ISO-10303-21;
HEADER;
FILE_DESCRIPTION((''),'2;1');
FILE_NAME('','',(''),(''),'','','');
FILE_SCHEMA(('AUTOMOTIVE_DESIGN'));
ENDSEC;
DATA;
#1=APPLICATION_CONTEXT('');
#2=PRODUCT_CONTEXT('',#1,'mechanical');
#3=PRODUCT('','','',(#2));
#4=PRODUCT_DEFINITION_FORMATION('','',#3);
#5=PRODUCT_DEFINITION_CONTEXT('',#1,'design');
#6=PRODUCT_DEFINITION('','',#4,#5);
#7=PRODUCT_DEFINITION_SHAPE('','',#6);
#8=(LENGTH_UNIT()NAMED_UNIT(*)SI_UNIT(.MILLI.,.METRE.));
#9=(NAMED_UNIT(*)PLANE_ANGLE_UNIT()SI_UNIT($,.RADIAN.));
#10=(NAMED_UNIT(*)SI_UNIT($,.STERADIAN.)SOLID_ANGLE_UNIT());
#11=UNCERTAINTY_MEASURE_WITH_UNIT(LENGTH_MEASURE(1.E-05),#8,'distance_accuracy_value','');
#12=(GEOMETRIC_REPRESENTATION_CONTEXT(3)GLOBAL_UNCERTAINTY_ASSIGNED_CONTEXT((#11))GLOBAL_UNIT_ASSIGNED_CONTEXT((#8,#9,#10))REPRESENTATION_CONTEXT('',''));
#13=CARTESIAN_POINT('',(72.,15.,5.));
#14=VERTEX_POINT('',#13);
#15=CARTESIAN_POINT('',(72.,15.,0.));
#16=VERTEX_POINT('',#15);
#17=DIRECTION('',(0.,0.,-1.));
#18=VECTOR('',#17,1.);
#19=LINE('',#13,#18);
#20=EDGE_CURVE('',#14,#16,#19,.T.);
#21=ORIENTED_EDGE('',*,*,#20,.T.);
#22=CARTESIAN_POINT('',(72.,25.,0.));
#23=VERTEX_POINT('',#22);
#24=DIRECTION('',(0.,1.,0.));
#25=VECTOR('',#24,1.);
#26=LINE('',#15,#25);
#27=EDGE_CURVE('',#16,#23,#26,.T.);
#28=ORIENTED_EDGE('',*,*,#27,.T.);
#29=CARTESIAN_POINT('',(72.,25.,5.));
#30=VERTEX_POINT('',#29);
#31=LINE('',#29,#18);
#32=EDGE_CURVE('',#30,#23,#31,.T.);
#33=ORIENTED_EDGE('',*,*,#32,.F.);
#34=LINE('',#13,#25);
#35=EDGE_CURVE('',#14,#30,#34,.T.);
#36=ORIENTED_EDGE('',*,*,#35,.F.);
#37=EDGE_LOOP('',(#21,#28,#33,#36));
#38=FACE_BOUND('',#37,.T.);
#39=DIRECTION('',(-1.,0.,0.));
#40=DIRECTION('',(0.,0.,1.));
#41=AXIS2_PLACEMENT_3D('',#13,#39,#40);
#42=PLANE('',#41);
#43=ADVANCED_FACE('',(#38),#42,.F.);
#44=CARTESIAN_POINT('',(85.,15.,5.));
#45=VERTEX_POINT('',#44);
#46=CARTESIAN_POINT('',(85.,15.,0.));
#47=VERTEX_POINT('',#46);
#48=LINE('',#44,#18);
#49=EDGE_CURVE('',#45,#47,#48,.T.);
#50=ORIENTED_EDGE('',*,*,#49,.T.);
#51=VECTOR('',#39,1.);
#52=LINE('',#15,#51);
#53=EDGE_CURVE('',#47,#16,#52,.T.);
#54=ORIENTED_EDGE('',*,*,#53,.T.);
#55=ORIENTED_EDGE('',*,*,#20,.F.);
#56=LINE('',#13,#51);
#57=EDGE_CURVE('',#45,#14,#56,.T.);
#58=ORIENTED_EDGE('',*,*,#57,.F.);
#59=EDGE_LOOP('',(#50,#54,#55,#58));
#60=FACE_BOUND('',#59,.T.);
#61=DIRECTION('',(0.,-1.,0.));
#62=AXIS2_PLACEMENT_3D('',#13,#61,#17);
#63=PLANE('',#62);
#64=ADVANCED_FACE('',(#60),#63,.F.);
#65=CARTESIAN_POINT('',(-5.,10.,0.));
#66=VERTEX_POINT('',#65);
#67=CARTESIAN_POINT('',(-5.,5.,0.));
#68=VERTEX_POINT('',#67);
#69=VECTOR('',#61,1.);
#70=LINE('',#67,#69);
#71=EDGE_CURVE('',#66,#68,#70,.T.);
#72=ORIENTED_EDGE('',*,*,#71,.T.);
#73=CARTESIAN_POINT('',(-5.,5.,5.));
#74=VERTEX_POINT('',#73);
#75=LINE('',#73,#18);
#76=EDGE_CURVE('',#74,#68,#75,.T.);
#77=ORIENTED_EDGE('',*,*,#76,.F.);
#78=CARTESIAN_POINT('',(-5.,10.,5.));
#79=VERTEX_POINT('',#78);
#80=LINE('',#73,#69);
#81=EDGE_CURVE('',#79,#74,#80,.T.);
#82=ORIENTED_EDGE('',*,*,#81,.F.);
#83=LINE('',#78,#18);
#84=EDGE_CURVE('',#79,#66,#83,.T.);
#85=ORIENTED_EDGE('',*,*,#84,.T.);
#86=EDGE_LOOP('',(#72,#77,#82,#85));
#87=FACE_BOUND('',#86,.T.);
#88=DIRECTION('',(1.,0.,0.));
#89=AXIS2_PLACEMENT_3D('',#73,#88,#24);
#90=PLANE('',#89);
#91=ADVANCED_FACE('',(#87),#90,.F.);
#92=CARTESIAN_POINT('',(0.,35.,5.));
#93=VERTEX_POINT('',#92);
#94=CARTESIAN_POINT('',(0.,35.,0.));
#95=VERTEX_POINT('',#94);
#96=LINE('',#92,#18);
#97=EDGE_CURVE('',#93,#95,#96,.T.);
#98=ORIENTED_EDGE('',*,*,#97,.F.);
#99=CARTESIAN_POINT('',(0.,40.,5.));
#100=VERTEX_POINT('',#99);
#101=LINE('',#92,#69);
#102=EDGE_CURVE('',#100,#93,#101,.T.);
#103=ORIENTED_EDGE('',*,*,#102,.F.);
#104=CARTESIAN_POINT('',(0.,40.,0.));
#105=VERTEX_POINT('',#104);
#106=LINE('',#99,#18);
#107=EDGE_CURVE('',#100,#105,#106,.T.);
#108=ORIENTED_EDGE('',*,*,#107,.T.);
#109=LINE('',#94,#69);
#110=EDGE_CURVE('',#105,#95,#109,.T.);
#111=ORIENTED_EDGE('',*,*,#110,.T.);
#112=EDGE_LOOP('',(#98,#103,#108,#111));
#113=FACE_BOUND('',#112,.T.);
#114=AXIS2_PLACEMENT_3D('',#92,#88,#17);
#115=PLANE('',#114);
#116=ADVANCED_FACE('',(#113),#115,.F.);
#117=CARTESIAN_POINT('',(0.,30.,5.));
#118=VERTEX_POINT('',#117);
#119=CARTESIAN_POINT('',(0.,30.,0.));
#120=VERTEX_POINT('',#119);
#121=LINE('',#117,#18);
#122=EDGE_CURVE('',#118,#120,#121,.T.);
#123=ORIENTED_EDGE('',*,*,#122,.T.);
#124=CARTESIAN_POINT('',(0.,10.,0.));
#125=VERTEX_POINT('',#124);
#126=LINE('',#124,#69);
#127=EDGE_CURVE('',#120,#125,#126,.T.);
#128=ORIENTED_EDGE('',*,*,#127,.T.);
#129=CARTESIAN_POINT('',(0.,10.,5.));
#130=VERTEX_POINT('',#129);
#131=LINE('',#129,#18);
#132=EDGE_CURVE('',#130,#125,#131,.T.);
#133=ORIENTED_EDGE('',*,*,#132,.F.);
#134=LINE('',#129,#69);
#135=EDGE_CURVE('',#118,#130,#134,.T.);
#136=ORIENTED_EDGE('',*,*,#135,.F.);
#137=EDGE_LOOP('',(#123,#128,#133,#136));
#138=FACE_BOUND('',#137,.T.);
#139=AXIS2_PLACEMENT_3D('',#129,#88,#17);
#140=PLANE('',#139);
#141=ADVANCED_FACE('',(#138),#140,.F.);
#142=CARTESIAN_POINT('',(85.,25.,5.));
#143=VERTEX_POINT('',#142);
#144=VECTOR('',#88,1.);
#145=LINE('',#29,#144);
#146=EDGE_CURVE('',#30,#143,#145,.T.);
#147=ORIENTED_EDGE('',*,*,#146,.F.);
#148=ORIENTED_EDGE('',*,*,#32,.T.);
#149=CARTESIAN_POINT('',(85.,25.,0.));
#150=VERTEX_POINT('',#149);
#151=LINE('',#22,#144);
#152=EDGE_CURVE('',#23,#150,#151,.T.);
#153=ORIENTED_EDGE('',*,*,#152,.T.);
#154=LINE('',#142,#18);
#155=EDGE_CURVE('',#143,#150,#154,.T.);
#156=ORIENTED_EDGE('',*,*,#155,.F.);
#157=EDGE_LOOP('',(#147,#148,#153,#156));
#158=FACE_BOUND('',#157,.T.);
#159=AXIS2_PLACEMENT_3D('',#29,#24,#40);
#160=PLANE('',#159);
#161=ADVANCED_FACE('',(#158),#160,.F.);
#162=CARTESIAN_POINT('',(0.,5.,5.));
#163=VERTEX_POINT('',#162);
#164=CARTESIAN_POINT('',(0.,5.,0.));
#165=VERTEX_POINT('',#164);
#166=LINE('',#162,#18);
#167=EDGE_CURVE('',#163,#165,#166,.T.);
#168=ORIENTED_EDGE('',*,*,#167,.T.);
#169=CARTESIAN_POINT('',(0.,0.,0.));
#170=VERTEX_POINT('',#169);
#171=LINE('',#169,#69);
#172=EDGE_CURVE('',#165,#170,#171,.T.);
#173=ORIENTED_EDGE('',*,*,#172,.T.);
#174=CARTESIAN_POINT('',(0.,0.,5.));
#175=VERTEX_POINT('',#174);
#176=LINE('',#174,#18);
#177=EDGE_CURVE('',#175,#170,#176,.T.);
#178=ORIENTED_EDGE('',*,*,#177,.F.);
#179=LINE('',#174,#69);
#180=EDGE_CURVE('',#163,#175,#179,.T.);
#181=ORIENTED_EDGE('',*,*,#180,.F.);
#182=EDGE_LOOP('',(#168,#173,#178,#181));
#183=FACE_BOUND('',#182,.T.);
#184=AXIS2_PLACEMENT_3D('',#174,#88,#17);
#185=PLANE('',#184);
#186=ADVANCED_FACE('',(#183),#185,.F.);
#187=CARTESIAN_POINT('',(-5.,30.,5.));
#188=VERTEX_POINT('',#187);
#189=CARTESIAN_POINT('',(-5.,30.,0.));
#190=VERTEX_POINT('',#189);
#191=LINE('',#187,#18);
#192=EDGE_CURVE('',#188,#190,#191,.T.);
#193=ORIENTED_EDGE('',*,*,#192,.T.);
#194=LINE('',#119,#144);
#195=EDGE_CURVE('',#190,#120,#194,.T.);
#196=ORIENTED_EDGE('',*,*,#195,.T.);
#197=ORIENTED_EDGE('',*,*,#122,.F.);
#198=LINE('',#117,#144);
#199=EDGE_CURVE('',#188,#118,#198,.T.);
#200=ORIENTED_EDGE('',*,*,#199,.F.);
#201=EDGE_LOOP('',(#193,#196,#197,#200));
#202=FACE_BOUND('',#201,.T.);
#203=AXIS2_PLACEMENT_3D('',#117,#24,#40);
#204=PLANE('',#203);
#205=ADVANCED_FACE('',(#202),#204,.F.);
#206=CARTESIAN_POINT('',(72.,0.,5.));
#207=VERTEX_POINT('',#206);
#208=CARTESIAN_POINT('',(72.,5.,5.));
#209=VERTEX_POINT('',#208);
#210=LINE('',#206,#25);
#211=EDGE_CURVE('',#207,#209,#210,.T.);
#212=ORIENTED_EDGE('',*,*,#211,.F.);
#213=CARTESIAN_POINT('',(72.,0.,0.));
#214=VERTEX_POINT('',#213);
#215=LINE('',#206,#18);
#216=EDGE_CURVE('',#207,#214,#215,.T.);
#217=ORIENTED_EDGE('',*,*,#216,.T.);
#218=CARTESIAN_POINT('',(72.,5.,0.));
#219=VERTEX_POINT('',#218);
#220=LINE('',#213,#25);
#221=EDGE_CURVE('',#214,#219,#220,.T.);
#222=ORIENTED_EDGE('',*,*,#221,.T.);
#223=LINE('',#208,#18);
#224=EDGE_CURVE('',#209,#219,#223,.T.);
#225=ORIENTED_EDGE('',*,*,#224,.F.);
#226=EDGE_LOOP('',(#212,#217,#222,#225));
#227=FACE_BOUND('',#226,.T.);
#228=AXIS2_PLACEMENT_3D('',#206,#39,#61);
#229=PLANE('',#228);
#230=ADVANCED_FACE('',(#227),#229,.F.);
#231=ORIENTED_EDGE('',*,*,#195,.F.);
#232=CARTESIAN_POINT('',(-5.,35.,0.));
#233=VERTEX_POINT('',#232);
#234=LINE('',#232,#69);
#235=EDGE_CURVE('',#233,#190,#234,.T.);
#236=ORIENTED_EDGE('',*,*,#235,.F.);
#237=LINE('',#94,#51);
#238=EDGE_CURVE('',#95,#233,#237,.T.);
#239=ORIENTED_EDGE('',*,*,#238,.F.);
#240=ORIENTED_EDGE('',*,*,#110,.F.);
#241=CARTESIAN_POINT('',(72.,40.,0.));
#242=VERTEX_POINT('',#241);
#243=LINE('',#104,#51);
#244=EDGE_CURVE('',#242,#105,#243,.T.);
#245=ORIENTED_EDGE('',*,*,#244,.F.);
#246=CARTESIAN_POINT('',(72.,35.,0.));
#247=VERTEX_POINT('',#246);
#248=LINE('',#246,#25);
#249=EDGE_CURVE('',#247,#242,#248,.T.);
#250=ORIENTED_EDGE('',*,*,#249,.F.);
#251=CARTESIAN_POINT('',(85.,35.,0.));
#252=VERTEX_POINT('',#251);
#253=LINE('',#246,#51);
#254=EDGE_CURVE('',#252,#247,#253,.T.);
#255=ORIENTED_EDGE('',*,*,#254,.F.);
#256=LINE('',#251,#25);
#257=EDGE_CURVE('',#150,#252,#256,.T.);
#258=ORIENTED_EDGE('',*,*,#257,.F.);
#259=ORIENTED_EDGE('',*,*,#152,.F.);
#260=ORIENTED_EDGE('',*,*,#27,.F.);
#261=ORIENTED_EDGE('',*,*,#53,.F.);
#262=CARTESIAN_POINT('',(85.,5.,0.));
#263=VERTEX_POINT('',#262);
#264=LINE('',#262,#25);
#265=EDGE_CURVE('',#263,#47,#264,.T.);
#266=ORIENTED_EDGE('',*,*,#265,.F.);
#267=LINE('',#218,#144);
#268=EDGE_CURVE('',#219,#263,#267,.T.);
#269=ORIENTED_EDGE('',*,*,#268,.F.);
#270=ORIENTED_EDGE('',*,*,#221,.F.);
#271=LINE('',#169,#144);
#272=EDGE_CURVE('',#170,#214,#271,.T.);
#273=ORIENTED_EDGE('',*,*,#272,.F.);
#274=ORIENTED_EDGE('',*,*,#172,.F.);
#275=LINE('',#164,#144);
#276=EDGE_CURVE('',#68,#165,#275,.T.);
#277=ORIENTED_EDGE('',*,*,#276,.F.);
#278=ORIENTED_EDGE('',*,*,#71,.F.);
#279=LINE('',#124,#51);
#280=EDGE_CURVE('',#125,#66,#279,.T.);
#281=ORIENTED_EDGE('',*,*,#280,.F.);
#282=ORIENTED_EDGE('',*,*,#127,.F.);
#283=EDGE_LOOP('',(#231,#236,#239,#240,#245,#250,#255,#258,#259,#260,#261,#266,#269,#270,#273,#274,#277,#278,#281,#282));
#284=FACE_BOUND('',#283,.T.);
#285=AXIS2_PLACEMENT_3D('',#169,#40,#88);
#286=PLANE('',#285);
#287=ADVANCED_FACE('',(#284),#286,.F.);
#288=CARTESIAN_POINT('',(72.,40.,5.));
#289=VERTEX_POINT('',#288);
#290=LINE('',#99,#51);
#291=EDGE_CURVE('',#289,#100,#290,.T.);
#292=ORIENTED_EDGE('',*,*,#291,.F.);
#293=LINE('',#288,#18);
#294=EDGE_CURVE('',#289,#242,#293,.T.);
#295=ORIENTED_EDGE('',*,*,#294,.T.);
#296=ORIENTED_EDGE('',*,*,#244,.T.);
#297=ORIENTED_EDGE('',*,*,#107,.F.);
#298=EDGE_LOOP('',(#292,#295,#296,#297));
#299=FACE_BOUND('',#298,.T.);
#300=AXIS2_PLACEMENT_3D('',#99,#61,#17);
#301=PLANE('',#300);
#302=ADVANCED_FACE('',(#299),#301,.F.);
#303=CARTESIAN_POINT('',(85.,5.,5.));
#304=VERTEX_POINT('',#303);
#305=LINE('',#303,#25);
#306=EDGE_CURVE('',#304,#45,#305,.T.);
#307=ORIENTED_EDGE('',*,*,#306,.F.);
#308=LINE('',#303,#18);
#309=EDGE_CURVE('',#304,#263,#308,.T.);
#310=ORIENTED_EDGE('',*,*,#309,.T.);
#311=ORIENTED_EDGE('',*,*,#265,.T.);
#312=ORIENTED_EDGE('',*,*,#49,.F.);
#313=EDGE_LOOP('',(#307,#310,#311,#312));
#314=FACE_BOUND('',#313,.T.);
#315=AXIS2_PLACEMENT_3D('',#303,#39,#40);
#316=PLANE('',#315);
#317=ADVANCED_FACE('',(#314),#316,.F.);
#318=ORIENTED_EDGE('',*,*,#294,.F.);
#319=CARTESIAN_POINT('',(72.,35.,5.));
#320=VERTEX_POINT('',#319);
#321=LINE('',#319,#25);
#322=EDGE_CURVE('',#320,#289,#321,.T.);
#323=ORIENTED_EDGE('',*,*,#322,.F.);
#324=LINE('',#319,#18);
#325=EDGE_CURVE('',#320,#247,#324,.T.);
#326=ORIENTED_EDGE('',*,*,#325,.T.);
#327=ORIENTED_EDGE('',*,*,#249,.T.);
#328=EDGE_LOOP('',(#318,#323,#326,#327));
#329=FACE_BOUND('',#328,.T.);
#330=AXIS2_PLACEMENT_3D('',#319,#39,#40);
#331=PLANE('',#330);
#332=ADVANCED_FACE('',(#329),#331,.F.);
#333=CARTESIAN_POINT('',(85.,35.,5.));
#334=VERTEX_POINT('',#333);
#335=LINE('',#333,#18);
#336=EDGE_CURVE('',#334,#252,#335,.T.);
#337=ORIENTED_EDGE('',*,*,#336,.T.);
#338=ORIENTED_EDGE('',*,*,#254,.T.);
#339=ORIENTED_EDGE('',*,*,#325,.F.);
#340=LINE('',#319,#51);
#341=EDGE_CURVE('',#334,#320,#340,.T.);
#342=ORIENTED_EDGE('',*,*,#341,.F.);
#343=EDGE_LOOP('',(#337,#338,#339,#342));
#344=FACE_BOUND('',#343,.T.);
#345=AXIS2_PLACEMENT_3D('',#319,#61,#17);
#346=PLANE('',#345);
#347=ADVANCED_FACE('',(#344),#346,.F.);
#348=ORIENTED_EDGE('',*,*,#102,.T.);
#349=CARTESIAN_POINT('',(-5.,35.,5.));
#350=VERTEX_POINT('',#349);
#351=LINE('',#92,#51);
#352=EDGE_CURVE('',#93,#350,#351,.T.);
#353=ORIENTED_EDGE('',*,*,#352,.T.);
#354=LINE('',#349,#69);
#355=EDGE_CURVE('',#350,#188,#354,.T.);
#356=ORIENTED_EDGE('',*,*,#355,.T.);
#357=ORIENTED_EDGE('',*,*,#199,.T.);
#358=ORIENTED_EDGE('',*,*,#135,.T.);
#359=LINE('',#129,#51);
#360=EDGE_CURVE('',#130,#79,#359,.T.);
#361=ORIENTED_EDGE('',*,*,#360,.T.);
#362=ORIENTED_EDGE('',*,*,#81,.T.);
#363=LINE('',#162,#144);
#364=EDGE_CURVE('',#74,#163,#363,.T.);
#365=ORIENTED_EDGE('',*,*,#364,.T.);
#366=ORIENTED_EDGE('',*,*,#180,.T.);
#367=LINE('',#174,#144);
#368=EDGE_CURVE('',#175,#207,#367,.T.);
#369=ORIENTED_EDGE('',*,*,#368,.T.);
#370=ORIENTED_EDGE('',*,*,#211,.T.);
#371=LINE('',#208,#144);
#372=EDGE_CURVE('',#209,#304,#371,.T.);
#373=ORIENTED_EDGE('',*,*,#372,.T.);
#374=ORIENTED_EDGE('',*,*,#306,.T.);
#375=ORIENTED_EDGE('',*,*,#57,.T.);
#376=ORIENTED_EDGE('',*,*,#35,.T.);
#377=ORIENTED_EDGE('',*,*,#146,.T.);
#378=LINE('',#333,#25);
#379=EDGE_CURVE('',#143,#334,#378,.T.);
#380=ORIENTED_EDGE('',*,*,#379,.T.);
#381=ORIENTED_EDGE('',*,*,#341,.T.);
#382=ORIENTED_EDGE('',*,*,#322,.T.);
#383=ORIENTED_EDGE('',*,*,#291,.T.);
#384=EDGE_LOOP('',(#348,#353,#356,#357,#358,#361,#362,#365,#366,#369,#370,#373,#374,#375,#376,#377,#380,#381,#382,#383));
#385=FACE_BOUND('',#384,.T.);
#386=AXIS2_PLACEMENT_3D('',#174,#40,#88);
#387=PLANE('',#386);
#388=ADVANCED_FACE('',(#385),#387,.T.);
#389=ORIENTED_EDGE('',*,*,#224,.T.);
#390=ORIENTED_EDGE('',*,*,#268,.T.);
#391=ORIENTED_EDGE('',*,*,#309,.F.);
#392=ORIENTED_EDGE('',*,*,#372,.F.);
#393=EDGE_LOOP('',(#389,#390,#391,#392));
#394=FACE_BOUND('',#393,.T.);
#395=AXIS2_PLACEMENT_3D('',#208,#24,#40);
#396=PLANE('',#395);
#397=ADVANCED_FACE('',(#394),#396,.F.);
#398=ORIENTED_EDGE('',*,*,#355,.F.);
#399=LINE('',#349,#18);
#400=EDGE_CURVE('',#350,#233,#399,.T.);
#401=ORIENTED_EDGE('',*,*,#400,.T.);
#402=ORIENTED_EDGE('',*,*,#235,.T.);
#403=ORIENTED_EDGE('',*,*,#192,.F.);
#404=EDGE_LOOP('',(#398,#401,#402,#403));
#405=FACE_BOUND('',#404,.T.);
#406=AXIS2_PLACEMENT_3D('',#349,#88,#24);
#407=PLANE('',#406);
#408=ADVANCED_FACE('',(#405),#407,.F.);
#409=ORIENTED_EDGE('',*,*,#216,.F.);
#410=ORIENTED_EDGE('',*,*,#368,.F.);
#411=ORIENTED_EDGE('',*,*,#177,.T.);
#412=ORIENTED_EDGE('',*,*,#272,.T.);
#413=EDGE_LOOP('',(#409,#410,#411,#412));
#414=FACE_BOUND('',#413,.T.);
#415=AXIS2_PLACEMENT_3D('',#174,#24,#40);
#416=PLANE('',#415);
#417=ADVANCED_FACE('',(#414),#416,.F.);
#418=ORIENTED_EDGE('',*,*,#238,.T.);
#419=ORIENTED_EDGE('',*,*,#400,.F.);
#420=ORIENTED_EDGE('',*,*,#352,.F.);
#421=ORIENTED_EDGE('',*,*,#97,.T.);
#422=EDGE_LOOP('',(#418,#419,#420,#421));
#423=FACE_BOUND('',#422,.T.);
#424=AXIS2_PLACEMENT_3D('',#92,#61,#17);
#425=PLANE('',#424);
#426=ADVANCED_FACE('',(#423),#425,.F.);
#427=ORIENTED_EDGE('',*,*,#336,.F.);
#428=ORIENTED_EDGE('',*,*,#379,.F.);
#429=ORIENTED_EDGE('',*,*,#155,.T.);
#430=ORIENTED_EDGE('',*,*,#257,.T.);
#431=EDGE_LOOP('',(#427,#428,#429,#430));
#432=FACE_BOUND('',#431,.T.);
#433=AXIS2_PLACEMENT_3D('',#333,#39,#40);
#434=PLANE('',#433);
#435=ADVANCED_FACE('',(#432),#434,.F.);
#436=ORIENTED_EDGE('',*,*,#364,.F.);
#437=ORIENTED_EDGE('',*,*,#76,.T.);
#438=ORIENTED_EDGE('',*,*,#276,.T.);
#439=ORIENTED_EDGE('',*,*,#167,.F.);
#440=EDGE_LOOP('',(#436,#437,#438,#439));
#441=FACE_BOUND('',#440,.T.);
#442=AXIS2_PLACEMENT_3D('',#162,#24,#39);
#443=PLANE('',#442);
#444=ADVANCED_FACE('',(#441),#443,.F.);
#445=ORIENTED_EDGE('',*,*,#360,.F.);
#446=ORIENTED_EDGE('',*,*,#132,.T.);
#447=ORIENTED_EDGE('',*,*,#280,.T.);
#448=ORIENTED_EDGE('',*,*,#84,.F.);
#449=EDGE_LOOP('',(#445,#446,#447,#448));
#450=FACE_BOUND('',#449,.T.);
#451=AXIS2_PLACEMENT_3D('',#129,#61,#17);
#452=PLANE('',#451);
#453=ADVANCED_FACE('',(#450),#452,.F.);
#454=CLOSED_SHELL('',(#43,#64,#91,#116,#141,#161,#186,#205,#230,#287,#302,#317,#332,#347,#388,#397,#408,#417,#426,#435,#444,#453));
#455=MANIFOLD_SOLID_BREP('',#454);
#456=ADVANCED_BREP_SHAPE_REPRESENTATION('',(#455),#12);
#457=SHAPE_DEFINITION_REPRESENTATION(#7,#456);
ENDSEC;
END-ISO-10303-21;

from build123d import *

# Parameters (mm, degrees)
BOSS_EXTRU_1_DEPTH = 5


with BuildPart() as part:
    # Esquisse1 → Boss.-Extru.1 (new body)
    with BuildSketch(Plane.XY):
        Polygon((0, 0), (72, 0), (72, 5), (85, 5), (85, 15), (72, 15), (72, 25), (85, 25), (85, 35), (72, 35), (72, 40), (0, 40), (0, 35), (-5, 35), (-5, 30), (0, 30), (0, 10), (-5, 10), (-5, 5), (0, 5), align=None)
    extrude(amount=BOSS_EXTRU_1_DEPTH)


solid = part.part
